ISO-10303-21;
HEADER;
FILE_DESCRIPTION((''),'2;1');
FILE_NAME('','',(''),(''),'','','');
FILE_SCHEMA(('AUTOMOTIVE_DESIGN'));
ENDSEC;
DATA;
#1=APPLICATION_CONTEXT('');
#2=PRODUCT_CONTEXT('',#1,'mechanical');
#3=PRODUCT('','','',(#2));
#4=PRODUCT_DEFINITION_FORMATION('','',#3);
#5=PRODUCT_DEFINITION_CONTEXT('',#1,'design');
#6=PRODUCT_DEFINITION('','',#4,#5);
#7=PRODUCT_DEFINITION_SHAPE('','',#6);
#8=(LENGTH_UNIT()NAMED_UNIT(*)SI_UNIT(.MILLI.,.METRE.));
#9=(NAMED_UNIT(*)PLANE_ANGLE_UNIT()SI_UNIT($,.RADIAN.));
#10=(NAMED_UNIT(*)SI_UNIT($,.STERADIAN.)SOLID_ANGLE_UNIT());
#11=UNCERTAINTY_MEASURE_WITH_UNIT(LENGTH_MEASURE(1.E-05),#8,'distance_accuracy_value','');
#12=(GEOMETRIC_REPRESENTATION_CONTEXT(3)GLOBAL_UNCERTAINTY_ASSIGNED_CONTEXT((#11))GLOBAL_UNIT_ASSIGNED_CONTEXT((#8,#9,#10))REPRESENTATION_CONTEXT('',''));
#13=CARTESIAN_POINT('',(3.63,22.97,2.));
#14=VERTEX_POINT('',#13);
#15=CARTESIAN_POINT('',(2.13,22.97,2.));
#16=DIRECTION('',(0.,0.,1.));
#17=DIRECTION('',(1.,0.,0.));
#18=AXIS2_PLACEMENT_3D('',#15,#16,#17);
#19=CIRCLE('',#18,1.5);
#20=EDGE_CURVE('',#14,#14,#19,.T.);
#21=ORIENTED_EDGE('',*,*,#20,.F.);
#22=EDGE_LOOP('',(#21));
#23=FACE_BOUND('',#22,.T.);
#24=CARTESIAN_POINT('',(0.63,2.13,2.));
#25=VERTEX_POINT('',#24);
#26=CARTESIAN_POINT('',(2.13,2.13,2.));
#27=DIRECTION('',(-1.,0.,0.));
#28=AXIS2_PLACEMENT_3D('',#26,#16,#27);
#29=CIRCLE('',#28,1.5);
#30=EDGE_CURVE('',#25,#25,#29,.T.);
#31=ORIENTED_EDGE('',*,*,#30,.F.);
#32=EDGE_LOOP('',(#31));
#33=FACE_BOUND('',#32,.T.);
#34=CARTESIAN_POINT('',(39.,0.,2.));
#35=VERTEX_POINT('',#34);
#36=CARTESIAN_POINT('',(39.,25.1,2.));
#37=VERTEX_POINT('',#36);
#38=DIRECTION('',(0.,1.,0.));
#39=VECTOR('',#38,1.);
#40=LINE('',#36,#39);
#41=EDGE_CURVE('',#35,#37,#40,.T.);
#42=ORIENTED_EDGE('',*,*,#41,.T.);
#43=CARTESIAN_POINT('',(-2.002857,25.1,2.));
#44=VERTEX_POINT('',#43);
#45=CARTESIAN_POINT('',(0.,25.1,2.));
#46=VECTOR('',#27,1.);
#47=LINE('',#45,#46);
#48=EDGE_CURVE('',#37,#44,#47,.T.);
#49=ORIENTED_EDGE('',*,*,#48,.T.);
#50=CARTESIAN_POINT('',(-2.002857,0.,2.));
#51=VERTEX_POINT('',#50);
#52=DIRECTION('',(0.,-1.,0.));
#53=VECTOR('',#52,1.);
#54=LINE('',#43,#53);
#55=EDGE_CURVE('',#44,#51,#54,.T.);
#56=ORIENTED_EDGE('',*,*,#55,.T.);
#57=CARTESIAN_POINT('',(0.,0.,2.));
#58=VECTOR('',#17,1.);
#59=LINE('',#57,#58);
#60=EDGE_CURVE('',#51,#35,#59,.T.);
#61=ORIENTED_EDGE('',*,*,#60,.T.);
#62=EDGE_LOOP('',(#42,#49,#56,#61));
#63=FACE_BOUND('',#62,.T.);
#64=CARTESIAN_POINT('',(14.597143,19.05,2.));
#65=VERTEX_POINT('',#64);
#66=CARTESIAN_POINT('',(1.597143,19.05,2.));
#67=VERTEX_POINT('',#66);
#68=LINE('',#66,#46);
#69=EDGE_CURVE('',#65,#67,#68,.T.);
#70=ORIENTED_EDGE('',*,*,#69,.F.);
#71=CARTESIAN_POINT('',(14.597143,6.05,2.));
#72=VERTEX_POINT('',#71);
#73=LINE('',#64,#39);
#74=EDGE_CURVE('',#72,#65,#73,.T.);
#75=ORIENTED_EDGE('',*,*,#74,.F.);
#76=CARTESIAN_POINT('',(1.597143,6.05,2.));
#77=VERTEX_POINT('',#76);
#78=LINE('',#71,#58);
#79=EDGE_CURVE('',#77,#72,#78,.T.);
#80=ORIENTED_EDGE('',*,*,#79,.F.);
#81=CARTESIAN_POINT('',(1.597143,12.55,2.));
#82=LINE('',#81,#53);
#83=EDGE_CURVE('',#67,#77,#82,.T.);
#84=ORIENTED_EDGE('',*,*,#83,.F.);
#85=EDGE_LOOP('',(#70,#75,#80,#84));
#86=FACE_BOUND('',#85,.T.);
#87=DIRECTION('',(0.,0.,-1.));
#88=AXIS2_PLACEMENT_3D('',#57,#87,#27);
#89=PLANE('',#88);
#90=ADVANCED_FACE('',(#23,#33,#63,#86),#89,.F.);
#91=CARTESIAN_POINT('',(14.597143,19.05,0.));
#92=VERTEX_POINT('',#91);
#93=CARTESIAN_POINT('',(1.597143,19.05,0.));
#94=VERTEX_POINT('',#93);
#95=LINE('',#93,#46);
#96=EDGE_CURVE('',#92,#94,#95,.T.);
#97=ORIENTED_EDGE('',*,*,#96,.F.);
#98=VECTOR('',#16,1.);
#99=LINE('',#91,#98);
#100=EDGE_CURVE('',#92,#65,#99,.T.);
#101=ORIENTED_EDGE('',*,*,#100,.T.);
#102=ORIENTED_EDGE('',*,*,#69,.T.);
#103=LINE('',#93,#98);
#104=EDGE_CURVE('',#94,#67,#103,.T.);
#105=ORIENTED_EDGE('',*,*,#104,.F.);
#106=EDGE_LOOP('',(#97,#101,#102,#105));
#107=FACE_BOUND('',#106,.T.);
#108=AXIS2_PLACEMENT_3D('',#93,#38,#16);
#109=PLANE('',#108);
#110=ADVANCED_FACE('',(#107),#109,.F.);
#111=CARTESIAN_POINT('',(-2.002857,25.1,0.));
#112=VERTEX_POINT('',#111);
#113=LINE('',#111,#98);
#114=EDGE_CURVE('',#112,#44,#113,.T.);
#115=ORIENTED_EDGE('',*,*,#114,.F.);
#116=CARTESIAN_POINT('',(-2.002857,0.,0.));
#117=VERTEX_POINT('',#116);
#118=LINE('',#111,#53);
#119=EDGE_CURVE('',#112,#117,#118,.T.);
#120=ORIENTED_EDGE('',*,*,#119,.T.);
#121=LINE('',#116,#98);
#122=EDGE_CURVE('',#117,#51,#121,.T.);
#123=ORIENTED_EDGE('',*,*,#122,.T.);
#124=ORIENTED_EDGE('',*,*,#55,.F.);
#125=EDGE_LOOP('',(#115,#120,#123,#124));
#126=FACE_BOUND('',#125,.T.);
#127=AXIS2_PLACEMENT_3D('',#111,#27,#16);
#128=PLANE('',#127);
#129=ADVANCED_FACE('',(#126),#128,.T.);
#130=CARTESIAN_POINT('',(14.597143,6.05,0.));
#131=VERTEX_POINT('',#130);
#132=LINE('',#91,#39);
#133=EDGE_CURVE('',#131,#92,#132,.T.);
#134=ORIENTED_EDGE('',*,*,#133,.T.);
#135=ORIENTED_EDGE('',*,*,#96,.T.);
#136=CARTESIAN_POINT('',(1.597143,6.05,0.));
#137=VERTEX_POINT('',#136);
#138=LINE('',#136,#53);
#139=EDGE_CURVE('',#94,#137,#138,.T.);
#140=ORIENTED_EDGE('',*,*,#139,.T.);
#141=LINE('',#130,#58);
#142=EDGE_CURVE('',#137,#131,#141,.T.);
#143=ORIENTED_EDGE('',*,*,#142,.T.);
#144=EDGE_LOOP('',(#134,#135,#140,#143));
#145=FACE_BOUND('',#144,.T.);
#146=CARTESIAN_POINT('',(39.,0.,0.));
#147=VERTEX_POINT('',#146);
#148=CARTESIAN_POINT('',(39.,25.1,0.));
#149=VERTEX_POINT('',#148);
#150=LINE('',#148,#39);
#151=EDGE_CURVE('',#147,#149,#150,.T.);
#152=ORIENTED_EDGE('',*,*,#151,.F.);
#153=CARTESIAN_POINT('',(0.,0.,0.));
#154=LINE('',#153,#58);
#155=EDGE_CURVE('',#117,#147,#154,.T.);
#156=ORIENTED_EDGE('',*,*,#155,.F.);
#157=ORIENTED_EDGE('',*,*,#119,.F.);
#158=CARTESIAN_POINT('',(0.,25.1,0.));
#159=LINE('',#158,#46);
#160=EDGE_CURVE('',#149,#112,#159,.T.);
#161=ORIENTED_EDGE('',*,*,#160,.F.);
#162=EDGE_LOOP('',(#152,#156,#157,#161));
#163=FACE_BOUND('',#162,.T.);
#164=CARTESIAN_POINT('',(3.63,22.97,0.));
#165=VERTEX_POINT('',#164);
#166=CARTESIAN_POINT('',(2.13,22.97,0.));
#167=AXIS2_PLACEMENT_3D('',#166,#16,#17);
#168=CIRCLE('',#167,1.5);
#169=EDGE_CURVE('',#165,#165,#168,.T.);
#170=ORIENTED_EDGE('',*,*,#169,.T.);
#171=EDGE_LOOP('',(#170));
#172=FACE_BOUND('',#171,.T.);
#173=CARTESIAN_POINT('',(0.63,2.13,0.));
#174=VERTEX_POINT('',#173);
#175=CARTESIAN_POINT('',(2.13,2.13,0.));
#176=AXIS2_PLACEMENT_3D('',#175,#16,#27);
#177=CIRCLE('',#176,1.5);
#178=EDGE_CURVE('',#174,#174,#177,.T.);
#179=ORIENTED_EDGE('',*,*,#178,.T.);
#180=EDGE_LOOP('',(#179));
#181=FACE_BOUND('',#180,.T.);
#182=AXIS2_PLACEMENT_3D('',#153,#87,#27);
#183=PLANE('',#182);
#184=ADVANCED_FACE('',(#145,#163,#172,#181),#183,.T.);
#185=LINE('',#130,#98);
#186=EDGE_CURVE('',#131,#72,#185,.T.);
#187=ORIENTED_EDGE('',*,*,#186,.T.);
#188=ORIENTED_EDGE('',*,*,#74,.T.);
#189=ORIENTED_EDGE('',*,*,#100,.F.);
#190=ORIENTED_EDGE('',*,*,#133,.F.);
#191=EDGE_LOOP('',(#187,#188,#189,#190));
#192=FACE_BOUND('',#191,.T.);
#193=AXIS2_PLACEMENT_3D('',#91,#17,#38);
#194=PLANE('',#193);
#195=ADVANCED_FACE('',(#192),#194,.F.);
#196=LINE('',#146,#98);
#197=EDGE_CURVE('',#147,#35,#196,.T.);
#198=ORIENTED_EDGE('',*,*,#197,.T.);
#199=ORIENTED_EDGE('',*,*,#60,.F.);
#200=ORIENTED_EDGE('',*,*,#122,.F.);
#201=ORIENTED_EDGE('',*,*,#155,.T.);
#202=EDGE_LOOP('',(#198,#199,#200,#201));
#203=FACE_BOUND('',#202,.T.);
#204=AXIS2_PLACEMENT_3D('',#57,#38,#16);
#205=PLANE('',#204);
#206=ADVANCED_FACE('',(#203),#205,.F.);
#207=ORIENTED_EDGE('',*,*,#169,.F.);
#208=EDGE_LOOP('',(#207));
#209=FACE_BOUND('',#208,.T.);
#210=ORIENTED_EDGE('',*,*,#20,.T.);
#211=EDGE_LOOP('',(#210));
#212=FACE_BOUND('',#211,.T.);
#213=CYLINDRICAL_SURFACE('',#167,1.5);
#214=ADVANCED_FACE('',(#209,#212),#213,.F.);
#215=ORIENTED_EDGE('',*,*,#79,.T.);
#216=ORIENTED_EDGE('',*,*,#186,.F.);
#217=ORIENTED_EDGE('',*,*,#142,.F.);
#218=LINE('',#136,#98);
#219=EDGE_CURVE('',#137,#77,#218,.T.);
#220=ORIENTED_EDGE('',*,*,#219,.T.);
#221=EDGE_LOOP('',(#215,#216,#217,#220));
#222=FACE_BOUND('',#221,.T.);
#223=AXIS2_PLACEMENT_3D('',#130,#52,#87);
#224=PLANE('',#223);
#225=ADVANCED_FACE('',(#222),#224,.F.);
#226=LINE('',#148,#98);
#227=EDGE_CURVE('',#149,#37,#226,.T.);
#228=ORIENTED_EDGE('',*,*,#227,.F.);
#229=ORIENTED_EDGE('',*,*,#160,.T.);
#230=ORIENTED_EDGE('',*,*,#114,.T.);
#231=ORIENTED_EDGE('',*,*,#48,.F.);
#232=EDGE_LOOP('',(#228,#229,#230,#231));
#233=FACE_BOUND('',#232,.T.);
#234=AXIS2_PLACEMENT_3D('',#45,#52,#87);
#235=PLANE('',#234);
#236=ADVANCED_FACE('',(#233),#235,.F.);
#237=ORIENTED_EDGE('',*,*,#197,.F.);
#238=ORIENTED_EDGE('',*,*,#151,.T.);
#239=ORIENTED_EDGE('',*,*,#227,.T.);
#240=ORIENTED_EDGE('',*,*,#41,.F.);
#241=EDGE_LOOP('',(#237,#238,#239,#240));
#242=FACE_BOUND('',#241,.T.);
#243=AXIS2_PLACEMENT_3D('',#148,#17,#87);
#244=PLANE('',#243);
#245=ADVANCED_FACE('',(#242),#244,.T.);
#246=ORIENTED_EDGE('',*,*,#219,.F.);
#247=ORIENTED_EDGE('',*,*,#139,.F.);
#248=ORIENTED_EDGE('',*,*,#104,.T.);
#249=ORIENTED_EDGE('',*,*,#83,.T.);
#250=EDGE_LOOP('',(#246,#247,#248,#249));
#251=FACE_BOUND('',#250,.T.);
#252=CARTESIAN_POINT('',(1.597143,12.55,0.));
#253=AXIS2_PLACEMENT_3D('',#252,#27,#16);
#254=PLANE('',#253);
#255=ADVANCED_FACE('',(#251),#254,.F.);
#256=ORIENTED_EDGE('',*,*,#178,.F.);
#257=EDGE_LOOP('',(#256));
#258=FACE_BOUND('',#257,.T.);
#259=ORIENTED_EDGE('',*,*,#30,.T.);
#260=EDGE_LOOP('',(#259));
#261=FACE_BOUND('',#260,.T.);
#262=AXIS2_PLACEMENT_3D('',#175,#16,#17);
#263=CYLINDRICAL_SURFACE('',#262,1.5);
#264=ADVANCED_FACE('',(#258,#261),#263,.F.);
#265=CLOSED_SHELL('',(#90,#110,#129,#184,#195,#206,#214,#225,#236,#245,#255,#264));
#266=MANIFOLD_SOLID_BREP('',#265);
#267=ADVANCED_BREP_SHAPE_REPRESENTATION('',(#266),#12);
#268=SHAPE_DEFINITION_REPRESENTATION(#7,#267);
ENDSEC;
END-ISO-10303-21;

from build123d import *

# Parameters (mm, degrees)
ESBO_O1_W                = 35
ESBO_O1_H                = 25.1
RESSALTO_EXTRUS_O1_DEPTH = 2
ESBO_O2_R                = 1.5
CORTE_EXTRUS_O1_DEPTH    = 2
ESBO_O3_W                = 2.002857319
ESBO_O3_H                = 25.1
RESSALTO_EXTRUS_O2_DEPTH = 2
CORTE_EXTRUS_O2_DEPTH    = 2
ESBO_O5_W                = 4
ESBO_O5_H                = 25.1
RESSALTO_EXTRUS_O3_DEPTH = 2


with BuildPart() as part:
    # Esboço1 → Ressalto-extrusão1 (new body)
    with BuildSketch(Plane.XY):
        with Locations((17.5, 12.55)):
            Rectangle(ESBO_O1_W, ESBO_O1_H)
    extrude(amount=RESSALTO_EXTRUS_O1_DEPTH)

    # Esboço2 → Corte-extrusão1 (cut)
    with BuildSketch(Plane.XY.offset(2)):
        with Locations((2.13, 22.97)):
            Circle(ESBO_O2_R)
        with Locations(Location((2.13, 2.13, 0), (0, 0, 180))):
            Circle(ESBO_O2_R)
    extrude(amount=-CORTE_EXTRUS_O1_DEPTH, mode=Mode.SUBTRACT)

    # Esboço3 → Ressalto-extrusão2 (add)
    with BuildSketch(Plane.XY.offset(2)):
        with Locations((-1.00142866, 12.55)):
            Rectangle(ESBO_O3_W, ESBO_O3_H)
    extrude(amount=-RESSALTO_EXTRUS_O2_DEPTH)

    # Esboço4 → Corte-extrusão2 (cut)
    with BuildSketch(Plane.XY.offset(2)):
        Polygon((1.597142681, 12.55), (1.597142681, 19.05), (14.597142681, 19.05), (14.597142681, 6.05), (1.597142681, 6.05), align=None)
    extrude(amount=-CORTE_EXTRUS_O2_DEPTH, mode=Mode.SUBTRACT)

    # Esboço5 → Ressalto-extrusão3 (add)
    with BuildSketch(Plane.XY.offset(2)):
        with Locations((37, 12.55)):
            Rectangle(ESBO_O5_W, ESBO_O5_H)
    extrude(amount=-RESSALTO_EXTRUS_O3_DEPTH)


solid = part.part
